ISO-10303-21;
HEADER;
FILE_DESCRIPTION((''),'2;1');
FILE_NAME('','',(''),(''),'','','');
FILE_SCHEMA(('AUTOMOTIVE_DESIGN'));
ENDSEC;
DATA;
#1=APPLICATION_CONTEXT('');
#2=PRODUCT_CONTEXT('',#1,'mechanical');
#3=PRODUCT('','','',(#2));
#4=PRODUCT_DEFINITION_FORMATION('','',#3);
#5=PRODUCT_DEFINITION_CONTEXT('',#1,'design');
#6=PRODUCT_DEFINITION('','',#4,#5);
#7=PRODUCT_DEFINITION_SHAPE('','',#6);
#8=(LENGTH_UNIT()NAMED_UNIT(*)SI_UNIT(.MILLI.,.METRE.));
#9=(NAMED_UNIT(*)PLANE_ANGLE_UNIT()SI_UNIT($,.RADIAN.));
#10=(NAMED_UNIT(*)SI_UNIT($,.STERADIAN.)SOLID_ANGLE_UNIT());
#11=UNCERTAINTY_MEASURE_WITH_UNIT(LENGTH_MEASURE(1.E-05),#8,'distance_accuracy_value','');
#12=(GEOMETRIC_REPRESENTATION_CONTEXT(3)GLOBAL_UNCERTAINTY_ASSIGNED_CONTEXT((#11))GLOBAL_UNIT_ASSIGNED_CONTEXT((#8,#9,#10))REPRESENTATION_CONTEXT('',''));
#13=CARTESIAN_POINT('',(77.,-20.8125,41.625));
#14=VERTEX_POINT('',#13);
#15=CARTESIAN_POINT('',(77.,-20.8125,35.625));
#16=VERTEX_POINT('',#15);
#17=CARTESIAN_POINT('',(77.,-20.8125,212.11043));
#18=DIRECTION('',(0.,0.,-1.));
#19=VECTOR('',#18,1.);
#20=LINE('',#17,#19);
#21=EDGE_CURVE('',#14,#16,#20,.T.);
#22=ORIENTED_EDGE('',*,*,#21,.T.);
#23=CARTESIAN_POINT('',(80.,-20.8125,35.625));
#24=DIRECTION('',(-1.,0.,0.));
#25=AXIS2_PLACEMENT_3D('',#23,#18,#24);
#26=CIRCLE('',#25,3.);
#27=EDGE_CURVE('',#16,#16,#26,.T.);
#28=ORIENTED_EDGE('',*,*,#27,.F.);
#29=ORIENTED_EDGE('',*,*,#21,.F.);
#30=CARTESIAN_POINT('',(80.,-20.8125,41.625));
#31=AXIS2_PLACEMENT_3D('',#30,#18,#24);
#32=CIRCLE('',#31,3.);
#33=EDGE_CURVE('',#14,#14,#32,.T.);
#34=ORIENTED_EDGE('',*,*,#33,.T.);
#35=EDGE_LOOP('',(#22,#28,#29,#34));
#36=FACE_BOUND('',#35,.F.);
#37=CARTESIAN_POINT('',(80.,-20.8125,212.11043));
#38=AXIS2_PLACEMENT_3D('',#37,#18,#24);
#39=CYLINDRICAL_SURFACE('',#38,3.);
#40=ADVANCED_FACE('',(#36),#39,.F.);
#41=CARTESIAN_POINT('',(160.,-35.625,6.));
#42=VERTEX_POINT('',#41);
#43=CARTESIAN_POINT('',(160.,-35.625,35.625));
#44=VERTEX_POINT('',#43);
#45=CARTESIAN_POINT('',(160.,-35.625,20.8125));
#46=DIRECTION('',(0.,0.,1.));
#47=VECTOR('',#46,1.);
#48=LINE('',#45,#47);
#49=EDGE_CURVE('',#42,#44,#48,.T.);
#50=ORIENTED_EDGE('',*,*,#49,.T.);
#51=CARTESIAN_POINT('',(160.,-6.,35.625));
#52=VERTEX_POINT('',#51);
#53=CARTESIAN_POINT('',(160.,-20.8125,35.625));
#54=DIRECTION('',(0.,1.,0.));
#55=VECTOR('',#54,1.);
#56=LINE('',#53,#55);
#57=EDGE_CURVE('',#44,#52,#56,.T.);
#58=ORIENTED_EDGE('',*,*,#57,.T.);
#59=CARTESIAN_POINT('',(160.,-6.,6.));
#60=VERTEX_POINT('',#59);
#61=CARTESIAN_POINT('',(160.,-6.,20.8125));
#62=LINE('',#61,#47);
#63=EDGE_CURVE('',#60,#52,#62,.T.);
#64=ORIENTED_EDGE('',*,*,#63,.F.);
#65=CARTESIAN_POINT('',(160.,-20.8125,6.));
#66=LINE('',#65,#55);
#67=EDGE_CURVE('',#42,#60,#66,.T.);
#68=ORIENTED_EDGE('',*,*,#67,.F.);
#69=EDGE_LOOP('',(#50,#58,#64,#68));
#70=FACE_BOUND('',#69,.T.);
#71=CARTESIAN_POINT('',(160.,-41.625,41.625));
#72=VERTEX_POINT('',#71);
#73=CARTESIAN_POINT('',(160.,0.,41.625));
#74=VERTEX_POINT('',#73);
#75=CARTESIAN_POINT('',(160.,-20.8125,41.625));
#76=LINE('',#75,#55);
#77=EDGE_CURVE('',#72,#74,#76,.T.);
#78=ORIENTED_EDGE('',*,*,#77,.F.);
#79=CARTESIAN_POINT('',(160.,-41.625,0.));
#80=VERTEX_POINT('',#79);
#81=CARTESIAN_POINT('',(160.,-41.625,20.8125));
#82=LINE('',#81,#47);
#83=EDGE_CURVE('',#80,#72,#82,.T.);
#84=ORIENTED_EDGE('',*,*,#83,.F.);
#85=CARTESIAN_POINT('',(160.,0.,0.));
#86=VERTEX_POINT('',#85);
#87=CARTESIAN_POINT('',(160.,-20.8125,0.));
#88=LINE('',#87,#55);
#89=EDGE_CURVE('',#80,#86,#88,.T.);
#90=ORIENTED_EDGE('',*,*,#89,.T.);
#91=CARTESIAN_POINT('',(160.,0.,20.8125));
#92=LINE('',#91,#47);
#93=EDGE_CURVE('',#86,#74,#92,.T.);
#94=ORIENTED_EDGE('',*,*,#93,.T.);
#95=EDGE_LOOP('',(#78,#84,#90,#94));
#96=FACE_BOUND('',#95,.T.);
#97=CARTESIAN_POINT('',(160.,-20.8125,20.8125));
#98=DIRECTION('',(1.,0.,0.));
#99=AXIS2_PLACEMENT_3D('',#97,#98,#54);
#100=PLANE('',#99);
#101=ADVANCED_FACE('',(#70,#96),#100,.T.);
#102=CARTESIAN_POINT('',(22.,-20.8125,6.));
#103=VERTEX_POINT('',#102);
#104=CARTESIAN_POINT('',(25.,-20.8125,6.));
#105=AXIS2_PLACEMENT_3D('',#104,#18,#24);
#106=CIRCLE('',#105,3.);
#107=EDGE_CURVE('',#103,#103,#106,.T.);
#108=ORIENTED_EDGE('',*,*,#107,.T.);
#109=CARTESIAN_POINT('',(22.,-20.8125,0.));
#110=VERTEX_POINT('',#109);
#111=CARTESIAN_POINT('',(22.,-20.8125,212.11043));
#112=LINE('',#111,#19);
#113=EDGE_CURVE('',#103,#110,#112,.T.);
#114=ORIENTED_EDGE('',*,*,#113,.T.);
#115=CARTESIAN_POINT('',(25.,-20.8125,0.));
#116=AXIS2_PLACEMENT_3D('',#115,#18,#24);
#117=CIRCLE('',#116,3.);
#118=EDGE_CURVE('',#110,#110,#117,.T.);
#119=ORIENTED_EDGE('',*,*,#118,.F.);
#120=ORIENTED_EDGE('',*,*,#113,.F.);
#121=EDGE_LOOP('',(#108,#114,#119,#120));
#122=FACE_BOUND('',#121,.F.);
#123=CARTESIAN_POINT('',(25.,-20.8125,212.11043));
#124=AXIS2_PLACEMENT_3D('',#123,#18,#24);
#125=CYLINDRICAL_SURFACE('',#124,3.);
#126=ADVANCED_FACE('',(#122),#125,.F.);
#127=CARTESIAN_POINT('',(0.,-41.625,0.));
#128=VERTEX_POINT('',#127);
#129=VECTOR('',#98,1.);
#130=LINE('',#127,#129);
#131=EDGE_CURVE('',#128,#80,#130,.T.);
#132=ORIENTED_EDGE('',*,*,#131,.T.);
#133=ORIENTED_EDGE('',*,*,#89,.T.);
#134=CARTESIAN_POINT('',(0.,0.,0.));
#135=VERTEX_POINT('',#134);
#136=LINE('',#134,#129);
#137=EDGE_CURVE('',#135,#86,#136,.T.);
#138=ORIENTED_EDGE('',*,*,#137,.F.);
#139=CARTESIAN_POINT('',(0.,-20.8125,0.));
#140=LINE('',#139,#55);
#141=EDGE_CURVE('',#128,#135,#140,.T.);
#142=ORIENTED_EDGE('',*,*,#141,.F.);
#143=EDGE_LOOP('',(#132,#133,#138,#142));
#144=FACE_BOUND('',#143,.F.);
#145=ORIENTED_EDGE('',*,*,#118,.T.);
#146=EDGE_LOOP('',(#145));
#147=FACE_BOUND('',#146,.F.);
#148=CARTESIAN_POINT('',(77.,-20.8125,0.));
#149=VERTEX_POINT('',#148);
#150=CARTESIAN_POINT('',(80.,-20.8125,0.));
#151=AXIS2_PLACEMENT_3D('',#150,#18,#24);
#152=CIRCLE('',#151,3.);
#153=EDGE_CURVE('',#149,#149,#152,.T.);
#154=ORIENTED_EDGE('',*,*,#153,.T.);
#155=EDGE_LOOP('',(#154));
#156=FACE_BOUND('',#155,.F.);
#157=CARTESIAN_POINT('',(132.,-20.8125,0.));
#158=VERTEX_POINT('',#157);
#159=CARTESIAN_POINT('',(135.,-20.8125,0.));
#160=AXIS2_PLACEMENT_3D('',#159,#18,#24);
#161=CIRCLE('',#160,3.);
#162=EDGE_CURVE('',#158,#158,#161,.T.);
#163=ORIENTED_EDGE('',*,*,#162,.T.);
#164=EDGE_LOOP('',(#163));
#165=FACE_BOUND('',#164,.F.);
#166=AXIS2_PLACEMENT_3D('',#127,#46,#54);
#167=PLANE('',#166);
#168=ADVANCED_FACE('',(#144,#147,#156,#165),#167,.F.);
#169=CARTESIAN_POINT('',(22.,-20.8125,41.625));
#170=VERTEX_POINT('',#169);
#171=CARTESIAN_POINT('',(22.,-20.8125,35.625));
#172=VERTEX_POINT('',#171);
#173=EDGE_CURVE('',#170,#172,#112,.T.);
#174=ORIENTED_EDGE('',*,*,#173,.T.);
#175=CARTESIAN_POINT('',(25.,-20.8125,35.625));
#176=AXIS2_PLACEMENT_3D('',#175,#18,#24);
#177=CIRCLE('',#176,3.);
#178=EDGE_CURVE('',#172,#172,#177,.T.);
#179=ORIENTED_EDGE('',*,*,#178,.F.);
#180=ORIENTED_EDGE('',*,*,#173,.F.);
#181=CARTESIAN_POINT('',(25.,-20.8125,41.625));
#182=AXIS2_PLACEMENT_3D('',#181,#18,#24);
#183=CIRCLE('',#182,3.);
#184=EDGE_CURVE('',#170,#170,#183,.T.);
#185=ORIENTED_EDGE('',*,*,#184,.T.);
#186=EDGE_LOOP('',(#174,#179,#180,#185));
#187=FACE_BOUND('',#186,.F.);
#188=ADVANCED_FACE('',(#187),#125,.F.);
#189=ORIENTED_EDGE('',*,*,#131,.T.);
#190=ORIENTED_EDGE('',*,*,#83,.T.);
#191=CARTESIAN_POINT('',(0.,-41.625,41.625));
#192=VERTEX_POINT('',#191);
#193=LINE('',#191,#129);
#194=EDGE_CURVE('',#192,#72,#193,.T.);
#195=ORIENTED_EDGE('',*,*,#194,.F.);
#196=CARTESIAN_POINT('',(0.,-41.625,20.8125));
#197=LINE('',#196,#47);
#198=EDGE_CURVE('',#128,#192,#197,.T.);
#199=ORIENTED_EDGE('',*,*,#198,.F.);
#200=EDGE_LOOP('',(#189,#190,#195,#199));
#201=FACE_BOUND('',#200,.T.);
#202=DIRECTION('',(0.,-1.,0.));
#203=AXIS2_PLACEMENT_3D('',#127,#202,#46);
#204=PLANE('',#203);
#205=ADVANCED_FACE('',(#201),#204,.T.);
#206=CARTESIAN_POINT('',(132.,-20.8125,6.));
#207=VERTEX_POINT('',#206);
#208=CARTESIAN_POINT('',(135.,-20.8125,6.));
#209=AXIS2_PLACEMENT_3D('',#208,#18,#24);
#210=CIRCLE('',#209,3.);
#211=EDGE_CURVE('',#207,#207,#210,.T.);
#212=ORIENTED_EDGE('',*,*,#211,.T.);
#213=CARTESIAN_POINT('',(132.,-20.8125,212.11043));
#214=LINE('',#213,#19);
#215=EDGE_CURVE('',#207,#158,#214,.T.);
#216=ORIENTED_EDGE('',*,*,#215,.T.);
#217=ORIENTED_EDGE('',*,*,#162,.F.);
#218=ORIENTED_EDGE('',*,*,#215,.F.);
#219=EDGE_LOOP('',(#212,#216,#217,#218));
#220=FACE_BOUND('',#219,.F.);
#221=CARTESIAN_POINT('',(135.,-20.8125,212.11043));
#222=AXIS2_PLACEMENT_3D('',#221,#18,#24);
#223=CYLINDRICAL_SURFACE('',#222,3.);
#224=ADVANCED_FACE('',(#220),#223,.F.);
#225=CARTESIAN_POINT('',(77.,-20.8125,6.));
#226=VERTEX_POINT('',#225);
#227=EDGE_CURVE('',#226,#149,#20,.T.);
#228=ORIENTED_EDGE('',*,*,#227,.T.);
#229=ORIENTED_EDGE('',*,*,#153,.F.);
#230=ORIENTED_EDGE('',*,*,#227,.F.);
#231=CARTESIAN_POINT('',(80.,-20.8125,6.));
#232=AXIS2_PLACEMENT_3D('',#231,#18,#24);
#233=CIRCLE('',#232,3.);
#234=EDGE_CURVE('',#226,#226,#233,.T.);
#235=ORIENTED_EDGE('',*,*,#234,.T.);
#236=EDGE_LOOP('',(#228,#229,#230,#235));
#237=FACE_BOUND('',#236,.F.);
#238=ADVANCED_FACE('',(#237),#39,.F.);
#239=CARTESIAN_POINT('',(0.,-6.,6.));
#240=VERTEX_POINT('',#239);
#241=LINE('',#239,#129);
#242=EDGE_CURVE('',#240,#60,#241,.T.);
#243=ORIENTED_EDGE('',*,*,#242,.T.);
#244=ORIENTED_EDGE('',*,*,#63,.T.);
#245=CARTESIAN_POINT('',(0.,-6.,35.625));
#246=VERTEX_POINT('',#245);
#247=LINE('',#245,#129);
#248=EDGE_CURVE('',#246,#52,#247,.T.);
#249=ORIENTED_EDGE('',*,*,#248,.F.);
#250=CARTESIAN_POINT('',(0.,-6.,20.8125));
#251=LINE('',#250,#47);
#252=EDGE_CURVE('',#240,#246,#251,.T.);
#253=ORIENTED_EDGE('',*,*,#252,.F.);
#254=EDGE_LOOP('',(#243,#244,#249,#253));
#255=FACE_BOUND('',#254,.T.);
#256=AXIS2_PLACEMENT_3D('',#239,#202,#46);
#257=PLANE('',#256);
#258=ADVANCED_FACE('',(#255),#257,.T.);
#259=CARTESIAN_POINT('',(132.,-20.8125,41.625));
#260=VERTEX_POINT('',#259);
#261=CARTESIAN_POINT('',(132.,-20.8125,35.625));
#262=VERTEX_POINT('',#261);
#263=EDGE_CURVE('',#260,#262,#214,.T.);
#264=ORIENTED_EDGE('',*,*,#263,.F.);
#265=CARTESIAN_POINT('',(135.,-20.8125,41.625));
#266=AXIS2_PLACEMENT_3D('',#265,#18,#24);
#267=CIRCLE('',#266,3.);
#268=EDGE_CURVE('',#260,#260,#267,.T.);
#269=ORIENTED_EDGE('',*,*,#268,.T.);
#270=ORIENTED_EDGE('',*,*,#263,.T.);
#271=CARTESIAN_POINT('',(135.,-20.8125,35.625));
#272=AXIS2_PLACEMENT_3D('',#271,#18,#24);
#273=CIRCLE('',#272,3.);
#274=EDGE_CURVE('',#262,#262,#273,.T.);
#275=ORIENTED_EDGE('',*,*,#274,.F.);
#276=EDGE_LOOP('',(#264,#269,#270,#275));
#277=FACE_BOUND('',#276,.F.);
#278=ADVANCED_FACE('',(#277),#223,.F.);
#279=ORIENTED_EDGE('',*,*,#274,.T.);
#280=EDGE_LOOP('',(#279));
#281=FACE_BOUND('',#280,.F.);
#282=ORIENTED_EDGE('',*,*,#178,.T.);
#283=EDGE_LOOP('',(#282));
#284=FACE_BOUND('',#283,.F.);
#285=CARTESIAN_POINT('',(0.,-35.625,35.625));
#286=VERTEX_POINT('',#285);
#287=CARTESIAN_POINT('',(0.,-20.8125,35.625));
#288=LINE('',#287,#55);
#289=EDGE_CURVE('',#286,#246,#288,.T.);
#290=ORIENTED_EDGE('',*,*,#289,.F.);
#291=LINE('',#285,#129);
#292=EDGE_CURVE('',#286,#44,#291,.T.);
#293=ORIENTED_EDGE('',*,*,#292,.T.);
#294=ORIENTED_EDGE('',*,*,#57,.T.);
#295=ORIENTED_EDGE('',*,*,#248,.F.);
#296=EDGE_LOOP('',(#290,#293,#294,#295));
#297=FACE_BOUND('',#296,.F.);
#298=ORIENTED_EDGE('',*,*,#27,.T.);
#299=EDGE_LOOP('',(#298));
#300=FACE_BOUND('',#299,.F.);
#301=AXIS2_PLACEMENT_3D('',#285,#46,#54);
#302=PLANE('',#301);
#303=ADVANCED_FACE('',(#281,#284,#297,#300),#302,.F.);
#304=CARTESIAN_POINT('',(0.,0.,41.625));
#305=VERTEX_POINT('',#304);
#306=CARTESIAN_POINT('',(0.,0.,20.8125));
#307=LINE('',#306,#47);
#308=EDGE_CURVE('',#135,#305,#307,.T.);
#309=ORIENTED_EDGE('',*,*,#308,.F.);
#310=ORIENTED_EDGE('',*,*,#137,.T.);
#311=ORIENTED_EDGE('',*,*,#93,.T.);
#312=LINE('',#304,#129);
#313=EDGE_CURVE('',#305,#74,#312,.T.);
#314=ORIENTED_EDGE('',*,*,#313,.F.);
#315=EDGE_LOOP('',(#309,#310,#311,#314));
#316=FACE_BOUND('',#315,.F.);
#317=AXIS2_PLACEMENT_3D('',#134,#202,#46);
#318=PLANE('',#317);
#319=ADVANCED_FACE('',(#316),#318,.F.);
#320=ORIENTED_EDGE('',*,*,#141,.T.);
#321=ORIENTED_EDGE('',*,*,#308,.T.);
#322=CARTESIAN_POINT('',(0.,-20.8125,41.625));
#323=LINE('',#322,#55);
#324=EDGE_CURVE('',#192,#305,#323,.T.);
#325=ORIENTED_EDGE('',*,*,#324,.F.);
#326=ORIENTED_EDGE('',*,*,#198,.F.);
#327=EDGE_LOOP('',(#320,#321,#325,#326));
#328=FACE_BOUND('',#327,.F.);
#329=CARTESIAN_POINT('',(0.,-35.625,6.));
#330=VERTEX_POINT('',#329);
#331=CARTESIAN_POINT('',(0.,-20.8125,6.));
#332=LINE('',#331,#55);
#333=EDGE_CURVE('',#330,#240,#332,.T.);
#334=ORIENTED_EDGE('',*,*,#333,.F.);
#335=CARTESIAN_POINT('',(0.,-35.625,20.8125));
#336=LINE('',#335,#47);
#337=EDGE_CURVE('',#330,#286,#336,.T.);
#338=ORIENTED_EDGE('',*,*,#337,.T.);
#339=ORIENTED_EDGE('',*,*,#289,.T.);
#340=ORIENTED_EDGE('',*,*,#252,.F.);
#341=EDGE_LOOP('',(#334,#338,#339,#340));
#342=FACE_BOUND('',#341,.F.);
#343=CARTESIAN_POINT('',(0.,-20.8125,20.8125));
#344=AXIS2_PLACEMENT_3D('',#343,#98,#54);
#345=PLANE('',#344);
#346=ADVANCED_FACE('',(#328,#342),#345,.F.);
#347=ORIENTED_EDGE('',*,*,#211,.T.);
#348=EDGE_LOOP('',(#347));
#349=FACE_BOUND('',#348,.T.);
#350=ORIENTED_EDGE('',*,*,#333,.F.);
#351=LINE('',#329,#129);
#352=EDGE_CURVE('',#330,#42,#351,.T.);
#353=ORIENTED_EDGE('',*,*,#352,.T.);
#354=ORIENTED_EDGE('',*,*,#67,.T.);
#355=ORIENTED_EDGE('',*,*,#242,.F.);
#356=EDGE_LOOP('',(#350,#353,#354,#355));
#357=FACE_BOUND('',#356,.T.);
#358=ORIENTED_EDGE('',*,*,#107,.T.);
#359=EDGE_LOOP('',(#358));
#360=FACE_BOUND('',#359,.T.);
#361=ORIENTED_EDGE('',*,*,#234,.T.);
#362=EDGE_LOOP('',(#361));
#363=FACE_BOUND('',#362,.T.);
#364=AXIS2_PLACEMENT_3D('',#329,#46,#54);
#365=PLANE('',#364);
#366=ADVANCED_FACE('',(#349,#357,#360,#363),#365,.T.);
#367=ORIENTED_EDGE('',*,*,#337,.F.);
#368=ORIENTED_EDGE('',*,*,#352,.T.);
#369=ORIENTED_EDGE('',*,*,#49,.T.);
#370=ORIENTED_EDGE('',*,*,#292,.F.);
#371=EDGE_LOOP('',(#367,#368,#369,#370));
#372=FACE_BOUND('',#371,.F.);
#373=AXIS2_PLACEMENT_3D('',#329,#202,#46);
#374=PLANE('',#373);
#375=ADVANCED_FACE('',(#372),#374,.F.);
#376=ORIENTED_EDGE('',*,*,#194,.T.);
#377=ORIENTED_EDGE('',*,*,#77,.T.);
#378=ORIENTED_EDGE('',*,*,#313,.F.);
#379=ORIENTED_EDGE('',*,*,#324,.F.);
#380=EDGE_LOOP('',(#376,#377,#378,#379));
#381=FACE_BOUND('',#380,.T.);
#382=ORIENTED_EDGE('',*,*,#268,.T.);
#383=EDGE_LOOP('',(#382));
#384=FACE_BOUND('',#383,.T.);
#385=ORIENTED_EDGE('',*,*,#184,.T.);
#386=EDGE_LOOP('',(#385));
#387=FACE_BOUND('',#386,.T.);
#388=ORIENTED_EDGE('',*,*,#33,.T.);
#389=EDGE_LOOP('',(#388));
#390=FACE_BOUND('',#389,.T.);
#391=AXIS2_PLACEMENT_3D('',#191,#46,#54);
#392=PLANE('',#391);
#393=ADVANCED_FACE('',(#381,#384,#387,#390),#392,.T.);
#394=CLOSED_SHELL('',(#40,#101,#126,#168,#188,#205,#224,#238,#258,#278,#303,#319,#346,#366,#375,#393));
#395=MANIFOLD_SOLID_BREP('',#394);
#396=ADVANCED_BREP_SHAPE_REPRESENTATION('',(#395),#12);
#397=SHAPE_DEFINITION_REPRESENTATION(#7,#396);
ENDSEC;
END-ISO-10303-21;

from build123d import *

# Parameters (mm, degrees)
F0_W     = 41.625001
F0_H     = 41.625001
F0_W_2   = 29.625001
F0_H_2   = 29.625001
F1_DEPTH = 160
F3_D     = 6


with BuildPart() as f1:
    # F0 (on Right) → F1 (new body)
    with BuildSketch(Plane.YZ):
        with Locations((-20.8125, 20.8125)):
            Rectangle(F0_W, F0_H)
        with Locations((-20.8125, 20.8125)):
            Rectangle(F0_W_2, F0_H_2, mode=Mode.SUBTRACT)
    extrude(amount=F1_DEPTH)

    # F3 (through all)
    with Locations(Plane.XY.offset(41.625001)):
        with Locations((135, -20.8125), (80, -20.8125), (25, -20.8125)):
            Hole(F3_D / 2)


solid = f1.part
